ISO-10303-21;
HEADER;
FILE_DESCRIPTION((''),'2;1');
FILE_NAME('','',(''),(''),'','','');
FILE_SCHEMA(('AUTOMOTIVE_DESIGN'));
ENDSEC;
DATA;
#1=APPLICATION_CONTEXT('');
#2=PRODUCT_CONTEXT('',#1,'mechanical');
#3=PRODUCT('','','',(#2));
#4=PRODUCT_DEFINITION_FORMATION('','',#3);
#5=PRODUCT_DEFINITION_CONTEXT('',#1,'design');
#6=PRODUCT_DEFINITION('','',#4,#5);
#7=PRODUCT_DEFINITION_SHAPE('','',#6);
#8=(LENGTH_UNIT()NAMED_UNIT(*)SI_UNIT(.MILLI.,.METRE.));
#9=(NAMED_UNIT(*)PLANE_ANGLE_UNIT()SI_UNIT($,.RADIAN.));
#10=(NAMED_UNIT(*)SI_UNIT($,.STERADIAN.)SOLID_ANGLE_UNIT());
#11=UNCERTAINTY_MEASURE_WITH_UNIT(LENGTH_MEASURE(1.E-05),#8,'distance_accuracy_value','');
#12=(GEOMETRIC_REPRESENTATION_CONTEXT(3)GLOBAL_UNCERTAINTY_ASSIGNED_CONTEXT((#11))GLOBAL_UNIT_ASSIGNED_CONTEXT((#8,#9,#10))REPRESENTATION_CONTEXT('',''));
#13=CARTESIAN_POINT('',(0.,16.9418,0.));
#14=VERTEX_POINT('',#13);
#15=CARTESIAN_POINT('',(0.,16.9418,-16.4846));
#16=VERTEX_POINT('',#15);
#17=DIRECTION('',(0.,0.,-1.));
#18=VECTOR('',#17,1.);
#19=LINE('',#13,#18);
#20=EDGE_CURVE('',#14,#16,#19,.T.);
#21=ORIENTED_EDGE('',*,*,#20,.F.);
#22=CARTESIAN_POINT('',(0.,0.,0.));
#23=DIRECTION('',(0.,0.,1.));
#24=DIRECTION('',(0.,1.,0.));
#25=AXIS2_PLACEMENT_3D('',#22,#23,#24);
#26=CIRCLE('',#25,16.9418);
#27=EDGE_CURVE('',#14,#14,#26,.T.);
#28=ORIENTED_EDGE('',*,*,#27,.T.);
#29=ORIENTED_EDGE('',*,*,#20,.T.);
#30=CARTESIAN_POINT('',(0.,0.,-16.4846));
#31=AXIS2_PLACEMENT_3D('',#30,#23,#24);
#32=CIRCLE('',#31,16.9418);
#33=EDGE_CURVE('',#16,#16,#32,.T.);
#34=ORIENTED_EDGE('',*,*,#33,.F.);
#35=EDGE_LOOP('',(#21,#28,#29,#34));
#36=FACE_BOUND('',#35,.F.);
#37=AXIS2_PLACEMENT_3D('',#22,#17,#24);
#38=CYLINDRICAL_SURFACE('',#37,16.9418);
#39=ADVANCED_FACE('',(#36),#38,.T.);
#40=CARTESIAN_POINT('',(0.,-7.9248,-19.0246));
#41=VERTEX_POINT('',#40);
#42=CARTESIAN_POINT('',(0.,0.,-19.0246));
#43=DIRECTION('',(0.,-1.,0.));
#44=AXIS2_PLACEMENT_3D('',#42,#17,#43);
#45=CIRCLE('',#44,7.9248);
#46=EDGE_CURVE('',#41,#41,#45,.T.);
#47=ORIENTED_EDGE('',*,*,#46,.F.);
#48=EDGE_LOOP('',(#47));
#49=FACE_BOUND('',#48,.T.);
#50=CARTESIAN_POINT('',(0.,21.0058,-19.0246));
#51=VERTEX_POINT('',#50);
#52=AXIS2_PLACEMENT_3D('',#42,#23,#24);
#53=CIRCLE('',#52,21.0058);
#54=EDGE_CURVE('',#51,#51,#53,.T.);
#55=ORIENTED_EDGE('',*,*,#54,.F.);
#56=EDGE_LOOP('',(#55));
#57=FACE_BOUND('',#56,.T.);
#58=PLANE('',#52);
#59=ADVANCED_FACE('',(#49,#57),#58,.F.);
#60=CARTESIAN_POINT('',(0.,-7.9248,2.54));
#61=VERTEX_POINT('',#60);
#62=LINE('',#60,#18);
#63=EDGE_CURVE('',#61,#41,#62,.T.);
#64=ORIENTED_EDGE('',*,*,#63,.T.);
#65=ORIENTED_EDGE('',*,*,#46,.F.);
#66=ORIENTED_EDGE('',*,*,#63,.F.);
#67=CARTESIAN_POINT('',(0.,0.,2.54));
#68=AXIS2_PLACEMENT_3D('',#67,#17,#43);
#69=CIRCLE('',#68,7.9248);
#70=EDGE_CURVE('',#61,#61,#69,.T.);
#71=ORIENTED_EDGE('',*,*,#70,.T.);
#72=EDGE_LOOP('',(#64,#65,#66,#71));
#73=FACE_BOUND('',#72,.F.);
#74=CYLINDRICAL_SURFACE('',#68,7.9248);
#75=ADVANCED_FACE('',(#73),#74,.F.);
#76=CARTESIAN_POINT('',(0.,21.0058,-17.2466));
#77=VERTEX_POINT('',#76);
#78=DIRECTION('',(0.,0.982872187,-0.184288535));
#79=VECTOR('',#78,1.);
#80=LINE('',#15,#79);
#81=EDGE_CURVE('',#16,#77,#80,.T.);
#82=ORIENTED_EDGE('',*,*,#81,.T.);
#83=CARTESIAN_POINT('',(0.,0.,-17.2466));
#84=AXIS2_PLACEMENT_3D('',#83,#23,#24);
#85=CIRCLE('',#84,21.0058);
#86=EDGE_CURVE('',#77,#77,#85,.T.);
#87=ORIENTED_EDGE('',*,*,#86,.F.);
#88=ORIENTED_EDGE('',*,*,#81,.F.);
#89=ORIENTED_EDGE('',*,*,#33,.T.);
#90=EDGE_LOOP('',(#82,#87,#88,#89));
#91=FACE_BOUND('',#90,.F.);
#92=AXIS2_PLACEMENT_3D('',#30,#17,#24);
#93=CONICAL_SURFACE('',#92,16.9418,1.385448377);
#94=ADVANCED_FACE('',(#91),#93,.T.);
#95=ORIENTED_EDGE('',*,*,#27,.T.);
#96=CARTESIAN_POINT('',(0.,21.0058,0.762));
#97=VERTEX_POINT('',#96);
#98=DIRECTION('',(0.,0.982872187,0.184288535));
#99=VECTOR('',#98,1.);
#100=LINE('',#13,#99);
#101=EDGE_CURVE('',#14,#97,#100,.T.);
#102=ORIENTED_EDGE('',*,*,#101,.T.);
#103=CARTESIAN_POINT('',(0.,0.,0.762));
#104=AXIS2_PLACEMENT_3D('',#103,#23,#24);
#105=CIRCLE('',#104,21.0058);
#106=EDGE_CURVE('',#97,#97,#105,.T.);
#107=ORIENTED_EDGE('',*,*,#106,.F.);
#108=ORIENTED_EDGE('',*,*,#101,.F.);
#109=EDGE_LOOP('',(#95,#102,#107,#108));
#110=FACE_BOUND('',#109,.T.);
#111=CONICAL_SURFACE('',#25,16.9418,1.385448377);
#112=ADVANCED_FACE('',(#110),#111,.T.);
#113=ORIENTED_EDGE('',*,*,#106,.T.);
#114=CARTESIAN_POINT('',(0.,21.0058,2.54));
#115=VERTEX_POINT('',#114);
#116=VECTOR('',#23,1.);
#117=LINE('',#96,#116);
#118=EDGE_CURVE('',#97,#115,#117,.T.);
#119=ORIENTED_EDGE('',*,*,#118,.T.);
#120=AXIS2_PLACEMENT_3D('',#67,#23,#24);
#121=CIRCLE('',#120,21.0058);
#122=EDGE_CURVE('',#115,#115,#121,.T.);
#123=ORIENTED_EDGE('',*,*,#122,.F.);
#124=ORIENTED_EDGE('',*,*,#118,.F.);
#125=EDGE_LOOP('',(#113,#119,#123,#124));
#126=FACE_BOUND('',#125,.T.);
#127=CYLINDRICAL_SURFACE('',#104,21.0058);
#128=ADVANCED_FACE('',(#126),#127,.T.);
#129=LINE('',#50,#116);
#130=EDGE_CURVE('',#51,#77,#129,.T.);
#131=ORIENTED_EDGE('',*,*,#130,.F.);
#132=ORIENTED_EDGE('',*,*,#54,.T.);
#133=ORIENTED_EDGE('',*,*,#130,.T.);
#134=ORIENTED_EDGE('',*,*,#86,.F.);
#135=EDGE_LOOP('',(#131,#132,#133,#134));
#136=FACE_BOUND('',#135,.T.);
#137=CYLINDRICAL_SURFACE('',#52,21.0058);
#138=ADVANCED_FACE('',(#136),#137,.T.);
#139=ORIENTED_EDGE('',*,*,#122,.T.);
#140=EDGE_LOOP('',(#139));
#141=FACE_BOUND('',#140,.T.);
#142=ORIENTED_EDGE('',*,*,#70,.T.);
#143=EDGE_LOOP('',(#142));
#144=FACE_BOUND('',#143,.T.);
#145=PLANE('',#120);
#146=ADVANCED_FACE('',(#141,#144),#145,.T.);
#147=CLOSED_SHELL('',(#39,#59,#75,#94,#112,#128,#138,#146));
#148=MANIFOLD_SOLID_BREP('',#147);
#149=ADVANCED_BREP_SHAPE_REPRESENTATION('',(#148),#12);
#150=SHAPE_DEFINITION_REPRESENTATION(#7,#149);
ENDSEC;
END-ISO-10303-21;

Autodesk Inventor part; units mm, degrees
ref_plane "YZ Plane" through (0, 0, 0) normal (1, 0, 0) x (0, 1, 0)
ref_plane "XZ Plane" through (0, 0, 0) normal (0, 1, 0) x (-1, 0, 0)
ref_plane "XY Plane" through (0, 0, 0) normal (0, 0, 1) x (1, 0, 0)
sketch "Sketch1" plane through (0, 0, 0) normal (1, 0, 0) x (0, 1, 0)
  line L0 (0, 0) -> (16.9418, 0)
  line L1 (16.9418, 0) -> (16.9418, -16.4846)
  line L2 (16.9418, -16.4846) -> (0, -16.4846)
  line L3 (0, -16.4846) -> (0, 0)
  line L4 (21.0058, 2.54) -> (0, 2.54)
  line L5 (0, 2.54) -> (0, -19.0246)
  line L6 (0, -19.0246) -> (21.0058, -19.0246)
  line L7 (16.9418, 0) -> (21.0058, 0.762)
  line L8 (16.9418, -16.4846) -> (21.0058, -17.2466)
  line L9 (21.0058, -19.0246) -> (21.0058, -17.2466)
  line L10 (21.0058, 0.762) -> (21.0058, 2.54)
  dimension "d0" = 16.4846
  dimension "d2" = 2.54
  dimension "d3" = 2.54
  dimension "d5" = 1.778
  dimension "d6" = 1.778
  dimension "d7" = 4.064
  dimension "d8" = 4.064
  dimension "d10" = 21.0058
revolve "Revolution1" add sketch "Sketch1" angle 360 about axis through (0, 0, -16.4846) along (0, 0, 1)
sketch "Sketch2" plane through (0, 0, 2.54) normal (0, 0, 1) x (1, 0, 0)
  point P0 (0, 0)
  point P1 (0, 0)
hole "Hole1" at (0, 0, 2.54) direction (0, 0, -1) diameter 15.8496 end through all
ref_plane "Work Plane1" through (0, 0, -8.2423) normal (0, 0, 1) x (1, 0, 0)
equation "\"d8\" = d7"
properties part number "CAR_014_CarouselTensionerPulley" material "Aluminum 6061"
